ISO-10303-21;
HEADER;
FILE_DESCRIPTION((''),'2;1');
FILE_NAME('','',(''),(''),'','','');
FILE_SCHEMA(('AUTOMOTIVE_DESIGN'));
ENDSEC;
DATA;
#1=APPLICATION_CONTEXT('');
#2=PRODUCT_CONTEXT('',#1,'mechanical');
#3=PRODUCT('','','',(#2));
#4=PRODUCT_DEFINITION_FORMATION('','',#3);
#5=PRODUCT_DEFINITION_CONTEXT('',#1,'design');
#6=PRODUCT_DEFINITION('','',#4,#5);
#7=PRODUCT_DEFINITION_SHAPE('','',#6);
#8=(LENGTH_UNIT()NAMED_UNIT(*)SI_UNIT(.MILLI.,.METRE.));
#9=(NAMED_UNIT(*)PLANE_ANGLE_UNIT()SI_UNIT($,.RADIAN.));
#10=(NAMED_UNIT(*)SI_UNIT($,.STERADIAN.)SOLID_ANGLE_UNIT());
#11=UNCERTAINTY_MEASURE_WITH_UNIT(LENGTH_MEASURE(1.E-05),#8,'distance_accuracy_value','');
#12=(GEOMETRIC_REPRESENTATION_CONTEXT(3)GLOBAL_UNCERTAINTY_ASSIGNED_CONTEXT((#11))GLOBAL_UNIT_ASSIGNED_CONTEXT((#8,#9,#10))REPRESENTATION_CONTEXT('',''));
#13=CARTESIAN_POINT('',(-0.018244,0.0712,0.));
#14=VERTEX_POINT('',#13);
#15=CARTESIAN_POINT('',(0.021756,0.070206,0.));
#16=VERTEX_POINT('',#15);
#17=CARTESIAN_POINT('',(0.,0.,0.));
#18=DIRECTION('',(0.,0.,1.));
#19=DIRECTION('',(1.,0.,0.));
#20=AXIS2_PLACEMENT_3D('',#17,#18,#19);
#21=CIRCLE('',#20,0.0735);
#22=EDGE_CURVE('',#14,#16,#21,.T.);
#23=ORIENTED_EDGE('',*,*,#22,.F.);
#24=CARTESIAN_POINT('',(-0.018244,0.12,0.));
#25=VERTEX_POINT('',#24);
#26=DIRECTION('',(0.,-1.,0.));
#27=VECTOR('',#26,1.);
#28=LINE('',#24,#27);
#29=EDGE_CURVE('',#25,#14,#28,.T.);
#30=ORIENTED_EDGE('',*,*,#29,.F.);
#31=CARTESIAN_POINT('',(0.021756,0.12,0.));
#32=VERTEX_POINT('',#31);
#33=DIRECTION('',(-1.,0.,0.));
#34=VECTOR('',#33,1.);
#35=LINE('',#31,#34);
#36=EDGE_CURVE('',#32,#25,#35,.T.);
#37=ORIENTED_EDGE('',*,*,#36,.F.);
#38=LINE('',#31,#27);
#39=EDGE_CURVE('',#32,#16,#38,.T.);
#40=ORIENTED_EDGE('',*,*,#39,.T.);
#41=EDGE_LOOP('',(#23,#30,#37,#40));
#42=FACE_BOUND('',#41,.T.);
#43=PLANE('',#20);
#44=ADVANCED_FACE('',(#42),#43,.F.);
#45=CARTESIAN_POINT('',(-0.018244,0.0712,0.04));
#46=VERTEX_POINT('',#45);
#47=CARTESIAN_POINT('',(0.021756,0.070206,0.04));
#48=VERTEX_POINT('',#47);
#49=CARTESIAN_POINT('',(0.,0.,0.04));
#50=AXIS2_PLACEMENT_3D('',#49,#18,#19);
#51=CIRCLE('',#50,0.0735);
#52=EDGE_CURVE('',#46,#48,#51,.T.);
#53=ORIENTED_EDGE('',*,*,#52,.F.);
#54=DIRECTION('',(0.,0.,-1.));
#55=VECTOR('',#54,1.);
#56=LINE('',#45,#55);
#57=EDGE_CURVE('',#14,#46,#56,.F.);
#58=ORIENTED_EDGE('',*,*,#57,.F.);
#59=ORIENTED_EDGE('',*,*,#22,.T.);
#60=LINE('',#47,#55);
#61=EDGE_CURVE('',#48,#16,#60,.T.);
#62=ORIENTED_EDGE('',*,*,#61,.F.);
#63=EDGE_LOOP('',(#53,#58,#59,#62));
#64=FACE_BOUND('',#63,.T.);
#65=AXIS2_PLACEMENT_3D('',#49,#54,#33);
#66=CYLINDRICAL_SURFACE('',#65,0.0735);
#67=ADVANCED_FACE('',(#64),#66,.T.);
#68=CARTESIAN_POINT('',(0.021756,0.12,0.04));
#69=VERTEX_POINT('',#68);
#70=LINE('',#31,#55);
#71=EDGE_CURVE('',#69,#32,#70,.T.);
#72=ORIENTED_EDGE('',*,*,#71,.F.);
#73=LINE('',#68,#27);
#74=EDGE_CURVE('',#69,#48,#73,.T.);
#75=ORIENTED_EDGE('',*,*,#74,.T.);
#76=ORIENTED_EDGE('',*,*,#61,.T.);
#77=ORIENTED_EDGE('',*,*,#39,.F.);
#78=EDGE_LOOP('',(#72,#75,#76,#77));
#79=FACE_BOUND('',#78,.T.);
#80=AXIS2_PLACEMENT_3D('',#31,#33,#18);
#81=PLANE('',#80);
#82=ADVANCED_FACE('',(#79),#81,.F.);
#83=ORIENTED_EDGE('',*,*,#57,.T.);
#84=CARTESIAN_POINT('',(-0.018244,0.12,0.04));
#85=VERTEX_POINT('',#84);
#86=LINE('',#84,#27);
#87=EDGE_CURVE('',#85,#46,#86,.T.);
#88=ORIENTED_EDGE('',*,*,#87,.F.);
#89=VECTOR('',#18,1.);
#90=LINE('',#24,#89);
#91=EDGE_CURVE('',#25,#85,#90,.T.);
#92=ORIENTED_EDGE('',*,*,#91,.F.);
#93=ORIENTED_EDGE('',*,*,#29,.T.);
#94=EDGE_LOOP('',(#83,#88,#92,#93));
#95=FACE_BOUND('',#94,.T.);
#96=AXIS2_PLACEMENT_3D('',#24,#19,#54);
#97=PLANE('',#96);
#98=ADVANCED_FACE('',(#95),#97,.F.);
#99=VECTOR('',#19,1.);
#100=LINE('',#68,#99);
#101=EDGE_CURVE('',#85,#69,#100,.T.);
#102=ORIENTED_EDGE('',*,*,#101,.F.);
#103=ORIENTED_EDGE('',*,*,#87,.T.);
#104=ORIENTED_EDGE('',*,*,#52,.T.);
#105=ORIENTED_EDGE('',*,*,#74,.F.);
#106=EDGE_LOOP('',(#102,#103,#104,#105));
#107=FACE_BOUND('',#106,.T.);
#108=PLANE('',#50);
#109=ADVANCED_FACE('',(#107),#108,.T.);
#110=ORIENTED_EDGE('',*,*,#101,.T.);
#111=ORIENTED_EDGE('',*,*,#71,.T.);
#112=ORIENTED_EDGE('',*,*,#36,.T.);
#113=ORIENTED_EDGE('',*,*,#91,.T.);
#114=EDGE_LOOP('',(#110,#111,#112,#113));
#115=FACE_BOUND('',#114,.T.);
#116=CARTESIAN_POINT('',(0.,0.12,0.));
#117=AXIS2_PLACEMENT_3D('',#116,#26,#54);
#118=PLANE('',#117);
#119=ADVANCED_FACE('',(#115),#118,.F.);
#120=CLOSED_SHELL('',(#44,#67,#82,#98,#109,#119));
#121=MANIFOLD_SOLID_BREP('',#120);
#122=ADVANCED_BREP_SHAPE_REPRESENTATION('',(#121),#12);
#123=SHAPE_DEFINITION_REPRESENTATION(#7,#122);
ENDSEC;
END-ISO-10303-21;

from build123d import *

# Parameters (mm, degrees)
SKETCH1_R           = 0.0735
BOSS_EXTRUDE1_DEPTH = 0.04
SKETCH2_W           = 0.04
SKETCH2_H           = 0.04
BOSS_EXTRUDE2_DEPTH = 0.12


with BuildPart() as part:
    # Sketch1 → Boss-Extrude1 (new body)
    with BuildSketch(Plane.XY):
        Circle(SKETCH1_R)
    extrude(amount=BOSS_EXTRUDE1_DEPTH)

    # Sketch2 → Boss-Extrude2 (add)
    with BuildSketch(Plane(origin=(0, 0, 0), x_dir=(1, 0, 0), z_dir=(0, 1, 0))):
        with Locations((0.001756404, -0.019999999)):
            Rectangle(SKETCH2_W, SKETCH2_H)
    extrude(amount=BOSS_EXTRUDE2_DEPTH)


solid = part.part
